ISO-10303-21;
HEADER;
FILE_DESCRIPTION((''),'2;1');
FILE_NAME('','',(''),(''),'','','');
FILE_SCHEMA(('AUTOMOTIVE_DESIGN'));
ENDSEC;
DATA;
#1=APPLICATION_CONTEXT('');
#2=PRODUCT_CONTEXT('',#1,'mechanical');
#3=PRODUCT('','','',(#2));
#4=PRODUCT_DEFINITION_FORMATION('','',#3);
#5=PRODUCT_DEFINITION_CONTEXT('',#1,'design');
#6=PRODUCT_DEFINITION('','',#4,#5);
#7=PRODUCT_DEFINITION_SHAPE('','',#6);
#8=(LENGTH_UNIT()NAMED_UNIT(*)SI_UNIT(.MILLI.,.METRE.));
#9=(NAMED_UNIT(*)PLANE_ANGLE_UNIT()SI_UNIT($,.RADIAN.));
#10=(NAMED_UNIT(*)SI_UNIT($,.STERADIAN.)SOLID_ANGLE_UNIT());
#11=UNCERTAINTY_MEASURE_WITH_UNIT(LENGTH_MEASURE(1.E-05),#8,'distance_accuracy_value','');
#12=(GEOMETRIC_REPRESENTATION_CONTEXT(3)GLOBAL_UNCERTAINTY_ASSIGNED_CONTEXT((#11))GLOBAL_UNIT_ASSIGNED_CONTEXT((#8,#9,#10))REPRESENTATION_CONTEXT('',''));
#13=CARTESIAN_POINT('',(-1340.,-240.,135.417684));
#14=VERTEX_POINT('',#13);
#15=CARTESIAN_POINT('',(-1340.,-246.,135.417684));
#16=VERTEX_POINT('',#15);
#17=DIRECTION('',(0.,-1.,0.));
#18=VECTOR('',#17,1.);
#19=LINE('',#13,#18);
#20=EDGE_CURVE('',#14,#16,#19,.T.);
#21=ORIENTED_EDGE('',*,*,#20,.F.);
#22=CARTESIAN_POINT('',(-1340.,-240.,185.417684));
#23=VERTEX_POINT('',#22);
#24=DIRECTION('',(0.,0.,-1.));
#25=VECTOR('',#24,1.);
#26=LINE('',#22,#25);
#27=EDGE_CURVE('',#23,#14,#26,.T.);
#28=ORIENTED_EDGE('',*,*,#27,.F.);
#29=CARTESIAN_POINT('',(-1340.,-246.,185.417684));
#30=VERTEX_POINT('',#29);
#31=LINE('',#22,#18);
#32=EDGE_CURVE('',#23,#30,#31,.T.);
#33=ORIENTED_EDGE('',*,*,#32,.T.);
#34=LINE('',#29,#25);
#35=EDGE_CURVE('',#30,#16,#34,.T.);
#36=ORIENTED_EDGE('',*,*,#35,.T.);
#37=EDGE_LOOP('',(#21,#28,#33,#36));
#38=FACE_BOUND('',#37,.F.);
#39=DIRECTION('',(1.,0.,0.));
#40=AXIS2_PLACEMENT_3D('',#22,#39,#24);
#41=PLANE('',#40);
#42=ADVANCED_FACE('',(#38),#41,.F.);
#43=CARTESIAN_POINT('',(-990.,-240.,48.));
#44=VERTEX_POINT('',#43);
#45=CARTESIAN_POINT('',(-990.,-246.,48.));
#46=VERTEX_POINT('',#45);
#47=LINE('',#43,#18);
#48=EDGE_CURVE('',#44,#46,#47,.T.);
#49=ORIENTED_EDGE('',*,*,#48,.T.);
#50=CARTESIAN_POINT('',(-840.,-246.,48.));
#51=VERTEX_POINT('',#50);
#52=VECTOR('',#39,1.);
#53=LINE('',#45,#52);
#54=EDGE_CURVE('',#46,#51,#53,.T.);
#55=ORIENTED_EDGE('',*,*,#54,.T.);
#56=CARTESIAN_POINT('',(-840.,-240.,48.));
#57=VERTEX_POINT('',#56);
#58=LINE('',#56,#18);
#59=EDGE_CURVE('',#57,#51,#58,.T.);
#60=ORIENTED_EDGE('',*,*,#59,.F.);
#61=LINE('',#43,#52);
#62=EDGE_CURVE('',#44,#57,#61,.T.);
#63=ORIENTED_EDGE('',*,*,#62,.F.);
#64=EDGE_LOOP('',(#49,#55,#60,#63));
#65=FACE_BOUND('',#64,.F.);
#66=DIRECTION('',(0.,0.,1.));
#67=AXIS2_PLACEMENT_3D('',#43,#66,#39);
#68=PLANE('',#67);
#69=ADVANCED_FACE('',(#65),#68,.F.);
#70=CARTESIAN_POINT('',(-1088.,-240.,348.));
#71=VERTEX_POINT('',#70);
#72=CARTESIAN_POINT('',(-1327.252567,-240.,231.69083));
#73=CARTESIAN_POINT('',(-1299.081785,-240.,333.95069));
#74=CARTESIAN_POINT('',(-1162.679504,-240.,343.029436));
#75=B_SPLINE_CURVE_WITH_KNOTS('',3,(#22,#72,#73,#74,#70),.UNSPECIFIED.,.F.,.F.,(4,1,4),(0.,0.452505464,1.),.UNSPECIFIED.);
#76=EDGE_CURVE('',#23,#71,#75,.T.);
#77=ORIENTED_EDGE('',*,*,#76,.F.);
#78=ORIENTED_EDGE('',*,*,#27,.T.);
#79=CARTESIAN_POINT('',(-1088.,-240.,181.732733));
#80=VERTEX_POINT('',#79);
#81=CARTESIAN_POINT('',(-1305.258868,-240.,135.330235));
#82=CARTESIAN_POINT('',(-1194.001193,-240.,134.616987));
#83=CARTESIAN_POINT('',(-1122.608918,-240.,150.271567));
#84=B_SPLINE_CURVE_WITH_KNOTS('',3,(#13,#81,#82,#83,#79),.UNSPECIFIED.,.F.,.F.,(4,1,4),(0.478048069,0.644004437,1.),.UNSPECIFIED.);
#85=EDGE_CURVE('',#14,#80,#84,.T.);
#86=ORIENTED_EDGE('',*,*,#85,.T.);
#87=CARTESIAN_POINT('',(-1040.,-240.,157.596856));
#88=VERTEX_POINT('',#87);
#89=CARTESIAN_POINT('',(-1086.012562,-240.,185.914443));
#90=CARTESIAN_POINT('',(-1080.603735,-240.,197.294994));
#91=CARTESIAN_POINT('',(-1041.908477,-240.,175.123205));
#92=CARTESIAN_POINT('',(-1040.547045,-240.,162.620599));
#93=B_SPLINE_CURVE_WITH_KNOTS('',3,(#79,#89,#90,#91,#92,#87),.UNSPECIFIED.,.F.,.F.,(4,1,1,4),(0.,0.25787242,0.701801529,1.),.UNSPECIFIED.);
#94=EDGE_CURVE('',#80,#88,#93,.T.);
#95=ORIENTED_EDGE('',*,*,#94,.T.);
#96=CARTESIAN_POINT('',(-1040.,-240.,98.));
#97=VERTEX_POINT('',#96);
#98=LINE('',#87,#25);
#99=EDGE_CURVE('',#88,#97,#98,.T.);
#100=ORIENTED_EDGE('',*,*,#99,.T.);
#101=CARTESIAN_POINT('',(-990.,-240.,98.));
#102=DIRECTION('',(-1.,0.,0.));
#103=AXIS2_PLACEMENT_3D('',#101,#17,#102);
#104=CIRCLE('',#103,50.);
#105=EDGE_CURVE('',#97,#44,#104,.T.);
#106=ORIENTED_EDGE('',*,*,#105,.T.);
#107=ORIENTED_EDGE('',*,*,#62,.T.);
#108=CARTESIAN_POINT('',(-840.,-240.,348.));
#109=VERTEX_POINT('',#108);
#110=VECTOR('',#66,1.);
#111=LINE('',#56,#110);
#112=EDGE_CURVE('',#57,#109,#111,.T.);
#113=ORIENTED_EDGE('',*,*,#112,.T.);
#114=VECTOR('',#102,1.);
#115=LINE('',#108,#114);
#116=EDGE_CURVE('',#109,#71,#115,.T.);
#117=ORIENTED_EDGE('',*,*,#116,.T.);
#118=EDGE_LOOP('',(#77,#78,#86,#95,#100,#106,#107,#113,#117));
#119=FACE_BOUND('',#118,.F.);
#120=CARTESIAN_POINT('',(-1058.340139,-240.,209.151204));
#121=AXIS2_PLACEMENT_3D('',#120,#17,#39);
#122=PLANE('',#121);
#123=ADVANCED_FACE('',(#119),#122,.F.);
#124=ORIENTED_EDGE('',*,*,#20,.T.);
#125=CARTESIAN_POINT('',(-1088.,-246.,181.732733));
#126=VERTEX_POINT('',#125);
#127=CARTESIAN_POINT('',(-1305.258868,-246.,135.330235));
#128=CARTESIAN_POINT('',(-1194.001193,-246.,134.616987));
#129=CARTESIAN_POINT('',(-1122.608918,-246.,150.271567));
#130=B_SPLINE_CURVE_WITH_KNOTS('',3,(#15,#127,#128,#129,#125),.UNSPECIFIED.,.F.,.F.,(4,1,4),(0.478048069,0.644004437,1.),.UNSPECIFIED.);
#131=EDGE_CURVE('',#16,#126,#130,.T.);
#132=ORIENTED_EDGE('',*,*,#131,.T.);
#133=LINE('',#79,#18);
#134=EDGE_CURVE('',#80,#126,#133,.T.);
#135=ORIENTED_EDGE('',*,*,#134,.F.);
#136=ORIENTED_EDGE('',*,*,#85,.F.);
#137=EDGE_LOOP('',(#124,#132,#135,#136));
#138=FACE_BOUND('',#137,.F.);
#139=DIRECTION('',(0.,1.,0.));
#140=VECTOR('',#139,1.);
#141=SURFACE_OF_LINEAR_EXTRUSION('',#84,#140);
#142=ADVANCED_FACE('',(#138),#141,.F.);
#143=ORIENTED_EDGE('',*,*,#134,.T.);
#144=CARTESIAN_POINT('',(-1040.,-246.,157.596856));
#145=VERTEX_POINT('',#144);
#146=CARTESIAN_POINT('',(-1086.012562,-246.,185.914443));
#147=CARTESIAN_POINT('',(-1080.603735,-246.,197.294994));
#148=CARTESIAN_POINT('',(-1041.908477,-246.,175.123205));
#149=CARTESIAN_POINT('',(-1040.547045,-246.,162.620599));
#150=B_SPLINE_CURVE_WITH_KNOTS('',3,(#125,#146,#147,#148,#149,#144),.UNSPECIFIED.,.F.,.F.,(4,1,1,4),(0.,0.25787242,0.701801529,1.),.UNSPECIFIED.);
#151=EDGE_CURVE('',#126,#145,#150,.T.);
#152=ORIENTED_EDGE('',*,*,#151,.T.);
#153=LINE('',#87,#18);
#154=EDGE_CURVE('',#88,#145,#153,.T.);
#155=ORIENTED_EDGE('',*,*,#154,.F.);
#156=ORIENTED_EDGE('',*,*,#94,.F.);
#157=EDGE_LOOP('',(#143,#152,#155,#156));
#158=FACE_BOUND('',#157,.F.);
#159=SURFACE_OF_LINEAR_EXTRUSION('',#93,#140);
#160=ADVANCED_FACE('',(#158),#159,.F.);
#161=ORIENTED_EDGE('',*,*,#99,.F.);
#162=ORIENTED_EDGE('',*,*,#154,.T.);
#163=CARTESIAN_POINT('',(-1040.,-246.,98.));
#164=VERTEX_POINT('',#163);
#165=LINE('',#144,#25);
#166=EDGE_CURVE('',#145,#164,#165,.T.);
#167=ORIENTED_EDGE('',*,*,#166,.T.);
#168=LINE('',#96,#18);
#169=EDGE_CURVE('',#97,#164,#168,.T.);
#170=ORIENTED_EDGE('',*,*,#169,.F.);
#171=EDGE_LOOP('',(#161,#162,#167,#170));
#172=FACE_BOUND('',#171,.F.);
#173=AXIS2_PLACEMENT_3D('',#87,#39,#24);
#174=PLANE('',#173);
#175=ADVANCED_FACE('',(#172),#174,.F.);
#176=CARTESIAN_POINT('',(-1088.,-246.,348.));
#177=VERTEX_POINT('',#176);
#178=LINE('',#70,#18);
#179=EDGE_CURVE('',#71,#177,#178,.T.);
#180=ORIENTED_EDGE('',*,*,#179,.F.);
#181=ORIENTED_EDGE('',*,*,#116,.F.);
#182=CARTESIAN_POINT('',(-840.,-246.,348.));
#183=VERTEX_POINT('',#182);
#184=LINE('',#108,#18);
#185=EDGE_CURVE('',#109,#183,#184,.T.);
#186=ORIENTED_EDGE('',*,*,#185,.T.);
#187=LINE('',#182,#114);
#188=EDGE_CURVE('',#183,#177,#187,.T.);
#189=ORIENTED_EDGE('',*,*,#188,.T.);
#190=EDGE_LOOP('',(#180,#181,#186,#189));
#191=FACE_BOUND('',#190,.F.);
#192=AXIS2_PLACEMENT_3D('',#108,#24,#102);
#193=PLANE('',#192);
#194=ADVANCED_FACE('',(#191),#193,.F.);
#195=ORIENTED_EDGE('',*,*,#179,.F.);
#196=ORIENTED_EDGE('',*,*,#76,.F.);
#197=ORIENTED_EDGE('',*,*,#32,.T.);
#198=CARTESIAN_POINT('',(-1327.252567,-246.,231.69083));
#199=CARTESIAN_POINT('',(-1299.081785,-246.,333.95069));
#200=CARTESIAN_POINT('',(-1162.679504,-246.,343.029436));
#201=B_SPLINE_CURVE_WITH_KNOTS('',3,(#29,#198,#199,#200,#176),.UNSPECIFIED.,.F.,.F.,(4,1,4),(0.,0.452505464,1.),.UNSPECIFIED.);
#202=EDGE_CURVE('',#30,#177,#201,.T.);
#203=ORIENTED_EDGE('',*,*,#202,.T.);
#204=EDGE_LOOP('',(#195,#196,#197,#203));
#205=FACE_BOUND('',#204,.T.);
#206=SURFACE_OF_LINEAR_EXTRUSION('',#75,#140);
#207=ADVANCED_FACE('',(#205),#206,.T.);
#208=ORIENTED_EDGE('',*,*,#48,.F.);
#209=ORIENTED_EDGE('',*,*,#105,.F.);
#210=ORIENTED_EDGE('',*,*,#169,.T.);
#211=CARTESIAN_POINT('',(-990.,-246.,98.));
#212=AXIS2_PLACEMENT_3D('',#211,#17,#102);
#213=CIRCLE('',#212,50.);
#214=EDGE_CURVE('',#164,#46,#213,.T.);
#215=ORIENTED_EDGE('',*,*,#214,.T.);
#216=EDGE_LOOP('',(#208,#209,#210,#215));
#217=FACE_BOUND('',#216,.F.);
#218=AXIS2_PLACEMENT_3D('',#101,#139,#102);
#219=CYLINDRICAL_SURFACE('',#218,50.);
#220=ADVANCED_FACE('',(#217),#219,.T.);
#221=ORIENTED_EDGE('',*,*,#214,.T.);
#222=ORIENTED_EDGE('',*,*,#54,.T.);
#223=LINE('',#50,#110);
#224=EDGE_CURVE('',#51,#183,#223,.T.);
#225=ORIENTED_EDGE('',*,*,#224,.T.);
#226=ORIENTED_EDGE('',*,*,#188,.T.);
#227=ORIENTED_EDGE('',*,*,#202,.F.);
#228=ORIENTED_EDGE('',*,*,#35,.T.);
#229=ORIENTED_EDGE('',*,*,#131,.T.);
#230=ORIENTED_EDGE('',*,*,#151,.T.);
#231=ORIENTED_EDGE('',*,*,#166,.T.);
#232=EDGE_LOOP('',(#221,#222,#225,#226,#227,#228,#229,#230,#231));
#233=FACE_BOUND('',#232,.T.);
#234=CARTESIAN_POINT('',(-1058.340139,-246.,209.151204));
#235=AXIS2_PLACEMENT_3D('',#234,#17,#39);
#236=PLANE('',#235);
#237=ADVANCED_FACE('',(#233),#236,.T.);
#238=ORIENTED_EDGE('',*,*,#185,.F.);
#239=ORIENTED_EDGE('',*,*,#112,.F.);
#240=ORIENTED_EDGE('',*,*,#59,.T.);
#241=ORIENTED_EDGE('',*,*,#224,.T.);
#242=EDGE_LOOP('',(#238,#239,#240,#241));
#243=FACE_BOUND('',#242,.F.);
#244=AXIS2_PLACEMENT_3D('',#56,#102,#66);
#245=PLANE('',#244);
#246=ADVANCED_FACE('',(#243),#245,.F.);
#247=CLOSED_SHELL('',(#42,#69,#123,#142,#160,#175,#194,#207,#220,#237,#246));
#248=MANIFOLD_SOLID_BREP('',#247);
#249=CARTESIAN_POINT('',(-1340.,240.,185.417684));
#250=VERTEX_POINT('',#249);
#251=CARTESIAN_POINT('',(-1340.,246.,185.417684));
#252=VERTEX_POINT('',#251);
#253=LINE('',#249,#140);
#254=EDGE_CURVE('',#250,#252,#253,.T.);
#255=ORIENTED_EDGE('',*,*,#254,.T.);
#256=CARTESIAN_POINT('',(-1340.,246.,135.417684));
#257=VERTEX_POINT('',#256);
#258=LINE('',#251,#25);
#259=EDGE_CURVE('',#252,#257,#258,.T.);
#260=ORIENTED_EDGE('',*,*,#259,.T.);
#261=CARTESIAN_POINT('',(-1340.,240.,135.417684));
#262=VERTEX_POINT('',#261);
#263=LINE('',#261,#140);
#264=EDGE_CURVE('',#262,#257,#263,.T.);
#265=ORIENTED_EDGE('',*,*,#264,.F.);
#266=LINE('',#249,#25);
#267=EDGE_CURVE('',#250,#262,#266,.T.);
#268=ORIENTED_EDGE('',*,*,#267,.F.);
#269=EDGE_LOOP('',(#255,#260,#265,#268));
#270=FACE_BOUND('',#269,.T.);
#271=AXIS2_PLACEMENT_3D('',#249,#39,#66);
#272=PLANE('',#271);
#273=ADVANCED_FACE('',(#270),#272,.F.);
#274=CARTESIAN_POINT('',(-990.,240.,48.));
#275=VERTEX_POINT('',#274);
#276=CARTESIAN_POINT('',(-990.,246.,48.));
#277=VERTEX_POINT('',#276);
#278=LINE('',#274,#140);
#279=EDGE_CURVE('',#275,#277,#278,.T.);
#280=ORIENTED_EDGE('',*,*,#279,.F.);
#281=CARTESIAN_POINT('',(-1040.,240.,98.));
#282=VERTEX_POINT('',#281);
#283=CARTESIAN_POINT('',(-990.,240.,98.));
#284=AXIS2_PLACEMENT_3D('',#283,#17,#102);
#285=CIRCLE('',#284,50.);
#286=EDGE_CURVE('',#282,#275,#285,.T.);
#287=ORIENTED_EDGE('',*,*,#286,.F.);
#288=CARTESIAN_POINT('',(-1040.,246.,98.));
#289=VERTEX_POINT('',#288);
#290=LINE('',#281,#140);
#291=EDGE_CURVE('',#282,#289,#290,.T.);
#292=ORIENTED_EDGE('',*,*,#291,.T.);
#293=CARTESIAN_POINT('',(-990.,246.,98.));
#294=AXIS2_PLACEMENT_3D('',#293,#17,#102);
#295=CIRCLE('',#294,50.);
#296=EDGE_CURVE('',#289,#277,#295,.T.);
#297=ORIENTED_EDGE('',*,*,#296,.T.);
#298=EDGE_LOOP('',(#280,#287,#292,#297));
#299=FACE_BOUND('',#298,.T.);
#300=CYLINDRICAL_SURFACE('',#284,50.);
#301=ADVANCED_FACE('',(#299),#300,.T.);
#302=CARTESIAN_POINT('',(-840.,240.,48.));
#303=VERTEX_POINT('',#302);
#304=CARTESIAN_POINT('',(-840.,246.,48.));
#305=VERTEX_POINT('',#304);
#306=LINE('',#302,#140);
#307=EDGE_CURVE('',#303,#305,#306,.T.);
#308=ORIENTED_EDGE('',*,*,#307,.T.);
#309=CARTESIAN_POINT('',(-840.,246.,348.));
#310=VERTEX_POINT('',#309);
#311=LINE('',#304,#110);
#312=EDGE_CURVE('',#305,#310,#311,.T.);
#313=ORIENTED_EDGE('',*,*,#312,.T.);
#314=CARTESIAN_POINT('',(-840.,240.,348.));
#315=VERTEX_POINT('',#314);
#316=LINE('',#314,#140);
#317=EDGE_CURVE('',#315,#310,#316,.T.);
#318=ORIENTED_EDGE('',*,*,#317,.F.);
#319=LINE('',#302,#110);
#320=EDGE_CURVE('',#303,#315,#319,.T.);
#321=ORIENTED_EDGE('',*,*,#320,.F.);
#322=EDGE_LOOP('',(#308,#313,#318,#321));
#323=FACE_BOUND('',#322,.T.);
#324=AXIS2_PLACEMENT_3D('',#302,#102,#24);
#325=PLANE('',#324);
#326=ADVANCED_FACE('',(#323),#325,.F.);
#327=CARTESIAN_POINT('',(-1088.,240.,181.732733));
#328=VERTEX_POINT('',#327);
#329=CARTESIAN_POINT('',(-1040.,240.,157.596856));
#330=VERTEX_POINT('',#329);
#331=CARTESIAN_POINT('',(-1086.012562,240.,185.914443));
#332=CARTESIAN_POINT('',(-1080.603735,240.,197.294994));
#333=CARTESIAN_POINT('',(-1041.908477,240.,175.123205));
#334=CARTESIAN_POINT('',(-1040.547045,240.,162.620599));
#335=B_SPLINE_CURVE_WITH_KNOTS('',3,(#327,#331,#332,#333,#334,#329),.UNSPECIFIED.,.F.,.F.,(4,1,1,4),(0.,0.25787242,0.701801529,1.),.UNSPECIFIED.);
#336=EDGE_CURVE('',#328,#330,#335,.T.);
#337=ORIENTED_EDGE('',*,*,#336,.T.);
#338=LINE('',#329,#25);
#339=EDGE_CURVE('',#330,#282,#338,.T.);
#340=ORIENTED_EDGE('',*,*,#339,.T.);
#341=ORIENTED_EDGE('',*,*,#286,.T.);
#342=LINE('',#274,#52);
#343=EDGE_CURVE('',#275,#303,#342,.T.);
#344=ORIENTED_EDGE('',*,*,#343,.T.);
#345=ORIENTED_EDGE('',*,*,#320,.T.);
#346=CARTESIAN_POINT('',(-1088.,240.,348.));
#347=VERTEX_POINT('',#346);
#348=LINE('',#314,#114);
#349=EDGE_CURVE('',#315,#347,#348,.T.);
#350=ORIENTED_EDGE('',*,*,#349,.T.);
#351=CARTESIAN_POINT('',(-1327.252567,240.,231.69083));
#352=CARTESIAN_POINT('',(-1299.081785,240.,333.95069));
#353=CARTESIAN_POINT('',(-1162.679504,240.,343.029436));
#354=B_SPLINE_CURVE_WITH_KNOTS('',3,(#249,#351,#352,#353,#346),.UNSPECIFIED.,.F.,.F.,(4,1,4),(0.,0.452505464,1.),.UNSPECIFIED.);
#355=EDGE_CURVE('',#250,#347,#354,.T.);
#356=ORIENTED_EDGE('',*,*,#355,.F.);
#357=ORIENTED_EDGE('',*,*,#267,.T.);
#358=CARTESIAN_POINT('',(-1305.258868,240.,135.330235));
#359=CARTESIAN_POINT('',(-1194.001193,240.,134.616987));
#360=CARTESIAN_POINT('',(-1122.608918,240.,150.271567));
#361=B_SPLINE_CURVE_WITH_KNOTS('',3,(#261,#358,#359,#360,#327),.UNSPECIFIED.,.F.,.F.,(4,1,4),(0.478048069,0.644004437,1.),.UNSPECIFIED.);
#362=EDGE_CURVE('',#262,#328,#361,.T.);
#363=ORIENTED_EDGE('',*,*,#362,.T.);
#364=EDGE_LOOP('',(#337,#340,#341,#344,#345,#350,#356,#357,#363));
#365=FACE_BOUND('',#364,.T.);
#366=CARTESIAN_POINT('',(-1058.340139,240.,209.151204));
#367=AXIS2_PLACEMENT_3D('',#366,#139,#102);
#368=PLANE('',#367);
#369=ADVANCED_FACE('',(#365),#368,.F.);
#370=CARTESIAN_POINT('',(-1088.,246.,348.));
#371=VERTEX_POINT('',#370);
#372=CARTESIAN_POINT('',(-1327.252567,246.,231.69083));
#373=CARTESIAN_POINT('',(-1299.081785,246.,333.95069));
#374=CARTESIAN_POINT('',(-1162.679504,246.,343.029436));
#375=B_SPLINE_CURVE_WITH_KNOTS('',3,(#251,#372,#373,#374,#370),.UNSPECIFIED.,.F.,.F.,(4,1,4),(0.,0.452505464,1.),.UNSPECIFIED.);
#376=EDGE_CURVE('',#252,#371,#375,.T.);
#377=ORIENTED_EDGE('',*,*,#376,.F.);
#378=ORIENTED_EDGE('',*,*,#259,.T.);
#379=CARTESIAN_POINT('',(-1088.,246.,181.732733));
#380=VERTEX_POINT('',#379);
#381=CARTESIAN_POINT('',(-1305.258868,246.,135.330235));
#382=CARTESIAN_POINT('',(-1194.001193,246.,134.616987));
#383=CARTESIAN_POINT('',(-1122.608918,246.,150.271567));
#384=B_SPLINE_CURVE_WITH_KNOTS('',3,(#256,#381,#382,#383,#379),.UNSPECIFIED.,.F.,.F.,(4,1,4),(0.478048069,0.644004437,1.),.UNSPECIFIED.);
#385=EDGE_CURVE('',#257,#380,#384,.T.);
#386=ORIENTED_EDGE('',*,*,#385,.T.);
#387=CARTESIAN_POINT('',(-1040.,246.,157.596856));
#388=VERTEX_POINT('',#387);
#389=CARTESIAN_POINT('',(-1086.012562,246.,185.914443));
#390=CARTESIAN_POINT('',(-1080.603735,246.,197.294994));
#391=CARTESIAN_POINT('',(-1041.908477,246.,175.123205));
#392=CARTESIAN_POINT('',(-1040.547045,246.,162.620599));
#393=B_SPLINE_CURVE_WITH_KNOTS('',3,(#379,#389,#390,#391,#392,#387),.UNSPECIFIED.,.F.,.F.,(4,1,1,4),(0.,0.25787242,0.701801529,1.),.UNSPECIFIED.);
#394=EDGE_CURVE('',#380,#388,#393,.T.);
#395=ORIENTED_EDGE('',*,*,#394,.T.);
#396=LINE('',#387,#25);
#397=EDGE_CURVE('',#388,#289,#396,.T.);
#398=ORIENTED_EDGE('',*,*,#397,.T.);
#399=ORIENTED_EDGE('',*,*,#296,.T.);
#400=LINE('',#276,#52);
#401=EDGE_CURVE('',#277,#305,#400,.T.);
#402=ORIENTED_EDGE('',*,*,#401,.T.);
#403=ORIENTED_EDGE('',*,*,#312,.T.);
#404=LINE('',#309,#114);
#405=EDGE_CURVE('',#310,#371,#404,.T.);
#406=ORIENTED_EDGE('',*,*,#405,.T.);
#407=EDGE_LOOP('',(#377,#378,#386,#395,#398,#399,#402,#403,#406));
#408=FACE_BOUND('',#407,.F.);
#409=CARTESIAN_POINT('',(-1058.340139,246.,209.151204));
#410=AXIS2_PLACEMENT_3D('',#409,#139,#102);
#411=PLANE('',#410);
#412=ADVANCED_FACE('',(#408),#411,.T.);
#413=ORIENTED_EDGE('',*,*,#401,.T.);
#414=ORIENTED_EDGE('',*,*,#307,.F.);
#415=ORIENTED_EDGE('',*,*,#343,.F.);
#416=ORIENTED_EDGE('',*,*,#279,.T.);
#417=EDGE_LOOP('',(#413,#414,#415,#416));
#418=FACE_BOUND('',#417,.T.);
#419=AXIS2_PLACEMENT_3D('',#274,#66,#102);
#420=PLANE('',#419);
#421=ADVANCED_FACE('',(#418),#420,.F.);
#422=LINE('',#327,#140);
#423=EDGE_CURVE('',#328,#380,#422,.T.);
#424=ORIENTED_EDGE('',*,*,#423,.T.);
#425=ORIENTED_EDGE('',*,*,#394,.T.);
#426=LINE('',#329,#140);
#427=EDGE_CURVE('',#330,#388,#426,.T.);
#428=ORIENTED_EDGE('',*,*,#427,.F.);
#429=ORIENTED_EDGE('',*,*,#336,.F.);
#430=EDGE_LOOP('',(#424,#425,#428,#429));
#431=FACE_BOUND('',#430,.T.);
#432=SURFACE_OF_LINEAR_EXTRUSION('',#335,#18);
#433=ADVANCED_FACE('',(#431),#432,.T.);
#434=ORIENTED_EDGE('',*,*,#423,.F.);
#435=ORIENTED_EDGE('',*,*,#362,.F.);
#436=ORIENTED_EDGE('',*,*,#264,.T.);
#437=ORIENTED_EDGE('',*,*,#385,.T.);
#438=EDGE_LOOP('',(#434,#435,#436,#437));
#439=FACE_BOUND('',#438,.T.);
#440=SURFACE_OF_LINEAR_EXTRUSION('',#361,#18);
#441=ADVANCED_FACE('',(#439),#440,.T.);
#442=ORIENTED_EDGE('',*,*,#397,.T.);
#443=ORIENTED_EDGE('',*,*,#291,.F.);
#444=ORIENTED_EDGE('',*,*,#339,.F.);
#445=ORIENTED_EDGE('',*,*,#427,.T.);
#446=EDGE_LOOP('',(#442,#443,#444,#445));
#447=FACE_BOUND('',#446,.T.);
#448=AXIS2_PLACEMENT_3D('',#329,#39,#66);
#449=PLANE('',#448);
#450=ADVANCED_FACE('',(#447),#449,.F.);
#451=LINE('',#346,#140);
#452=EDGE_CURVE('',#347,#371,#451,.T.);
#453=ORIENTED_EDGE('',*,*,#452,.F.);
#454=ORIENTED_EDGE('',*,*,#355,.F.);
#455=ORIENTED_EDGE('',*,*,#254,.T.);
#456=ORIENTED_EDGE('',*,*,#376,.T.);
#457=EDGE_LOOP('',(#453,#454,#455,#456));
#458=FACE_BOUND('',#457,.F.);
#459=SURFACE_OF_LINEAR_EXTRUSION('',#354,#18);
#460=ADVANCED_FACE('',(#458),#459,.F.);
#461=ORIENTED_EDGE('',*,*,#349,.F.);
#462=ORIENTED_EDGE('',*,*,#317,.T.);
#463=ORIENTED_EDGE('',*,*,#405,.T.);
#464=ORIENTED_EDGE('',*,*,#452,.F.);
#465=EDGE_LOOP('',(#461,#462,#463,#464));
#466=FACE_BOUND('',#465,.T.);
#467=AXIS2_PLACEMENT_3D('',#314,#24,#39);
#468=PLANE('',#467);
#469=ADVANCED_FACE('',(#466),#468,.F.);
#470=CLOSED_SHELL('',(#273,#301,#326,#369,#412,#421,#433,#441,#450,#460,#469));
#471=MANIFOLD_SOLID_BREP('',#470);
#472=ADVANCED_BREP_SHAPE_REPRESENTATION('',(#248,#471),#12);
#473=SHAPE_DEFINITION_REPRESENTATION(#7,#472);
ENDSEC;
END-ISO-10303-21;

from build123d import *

# Parameters (mm, degrees)
F2_DEPTH = 6


with BuildPart() as f2:
    # F1 (on offset) → F2 (new body)
    with BuildSketch(Plane.XZ.offset(240)):
        with BuildLine():
            Line((-1340, 185.4176840593), (-1340, 135.4176840593))
            add(Edge.make_bspline(
                [(-1340, 135.4176840593), (-1305.2588677716, 135.3302349414), (-1194.0011933899, 134.6169868725), (-1122.6089184133, 150.2715667972), (-1088, 181.7327326495)],
                knots=[0.4780480694, 0.4780480694, 0.4780480694, 0.4780480694, 0.6440044366, 1, 1, 1, 1], degree=3))
            add(Edge.make_bspline(
                [(-1088, 181.7327326495), (-1086.0125616478, 185.9144425465), (-1080.6037347878, 197.2949941927), (-1041.9084770203, 175.1232046951), (-1040.547044774, 162.6205989342), (-1040, 157.5968563557)],
                knots=[0, 0, 0, 0, 0.2578724205, 0.7018015291, 1, 1, 1, 1], degree=3))
            Line((-1040, 157.5968563557), (-1040, 98))
            ThreePointArc((-1040, 98), (-1025.3553390593, 62.6446609407), (-990, 48))
            Line((-990, 48), (-840, 48))
            Line((-840, 48), (-840, 348))
            Line((-840, 348), (-1088, 348))
            add(Edge.make_bspline(
                [(-1340, 185.4176840593), (-1327.2525671424, 231.6908295083), (-1299.0817849813, 333.9506895842), (-1162.6795036851, 343.0294359645), (-1088, 348)],
                knots=[0, 0, 0, 0, 0.4525054642, 1, 1, 1, 1], degree=3))
        make_face()
    extrude(amount=F2_DEPTH)


with BuildPart() as f3_1:
    # F3: instance of F2
    add(f2.part.mirror(Plane.XZ))


solid = Compound([f2.part, f3_1.part])
